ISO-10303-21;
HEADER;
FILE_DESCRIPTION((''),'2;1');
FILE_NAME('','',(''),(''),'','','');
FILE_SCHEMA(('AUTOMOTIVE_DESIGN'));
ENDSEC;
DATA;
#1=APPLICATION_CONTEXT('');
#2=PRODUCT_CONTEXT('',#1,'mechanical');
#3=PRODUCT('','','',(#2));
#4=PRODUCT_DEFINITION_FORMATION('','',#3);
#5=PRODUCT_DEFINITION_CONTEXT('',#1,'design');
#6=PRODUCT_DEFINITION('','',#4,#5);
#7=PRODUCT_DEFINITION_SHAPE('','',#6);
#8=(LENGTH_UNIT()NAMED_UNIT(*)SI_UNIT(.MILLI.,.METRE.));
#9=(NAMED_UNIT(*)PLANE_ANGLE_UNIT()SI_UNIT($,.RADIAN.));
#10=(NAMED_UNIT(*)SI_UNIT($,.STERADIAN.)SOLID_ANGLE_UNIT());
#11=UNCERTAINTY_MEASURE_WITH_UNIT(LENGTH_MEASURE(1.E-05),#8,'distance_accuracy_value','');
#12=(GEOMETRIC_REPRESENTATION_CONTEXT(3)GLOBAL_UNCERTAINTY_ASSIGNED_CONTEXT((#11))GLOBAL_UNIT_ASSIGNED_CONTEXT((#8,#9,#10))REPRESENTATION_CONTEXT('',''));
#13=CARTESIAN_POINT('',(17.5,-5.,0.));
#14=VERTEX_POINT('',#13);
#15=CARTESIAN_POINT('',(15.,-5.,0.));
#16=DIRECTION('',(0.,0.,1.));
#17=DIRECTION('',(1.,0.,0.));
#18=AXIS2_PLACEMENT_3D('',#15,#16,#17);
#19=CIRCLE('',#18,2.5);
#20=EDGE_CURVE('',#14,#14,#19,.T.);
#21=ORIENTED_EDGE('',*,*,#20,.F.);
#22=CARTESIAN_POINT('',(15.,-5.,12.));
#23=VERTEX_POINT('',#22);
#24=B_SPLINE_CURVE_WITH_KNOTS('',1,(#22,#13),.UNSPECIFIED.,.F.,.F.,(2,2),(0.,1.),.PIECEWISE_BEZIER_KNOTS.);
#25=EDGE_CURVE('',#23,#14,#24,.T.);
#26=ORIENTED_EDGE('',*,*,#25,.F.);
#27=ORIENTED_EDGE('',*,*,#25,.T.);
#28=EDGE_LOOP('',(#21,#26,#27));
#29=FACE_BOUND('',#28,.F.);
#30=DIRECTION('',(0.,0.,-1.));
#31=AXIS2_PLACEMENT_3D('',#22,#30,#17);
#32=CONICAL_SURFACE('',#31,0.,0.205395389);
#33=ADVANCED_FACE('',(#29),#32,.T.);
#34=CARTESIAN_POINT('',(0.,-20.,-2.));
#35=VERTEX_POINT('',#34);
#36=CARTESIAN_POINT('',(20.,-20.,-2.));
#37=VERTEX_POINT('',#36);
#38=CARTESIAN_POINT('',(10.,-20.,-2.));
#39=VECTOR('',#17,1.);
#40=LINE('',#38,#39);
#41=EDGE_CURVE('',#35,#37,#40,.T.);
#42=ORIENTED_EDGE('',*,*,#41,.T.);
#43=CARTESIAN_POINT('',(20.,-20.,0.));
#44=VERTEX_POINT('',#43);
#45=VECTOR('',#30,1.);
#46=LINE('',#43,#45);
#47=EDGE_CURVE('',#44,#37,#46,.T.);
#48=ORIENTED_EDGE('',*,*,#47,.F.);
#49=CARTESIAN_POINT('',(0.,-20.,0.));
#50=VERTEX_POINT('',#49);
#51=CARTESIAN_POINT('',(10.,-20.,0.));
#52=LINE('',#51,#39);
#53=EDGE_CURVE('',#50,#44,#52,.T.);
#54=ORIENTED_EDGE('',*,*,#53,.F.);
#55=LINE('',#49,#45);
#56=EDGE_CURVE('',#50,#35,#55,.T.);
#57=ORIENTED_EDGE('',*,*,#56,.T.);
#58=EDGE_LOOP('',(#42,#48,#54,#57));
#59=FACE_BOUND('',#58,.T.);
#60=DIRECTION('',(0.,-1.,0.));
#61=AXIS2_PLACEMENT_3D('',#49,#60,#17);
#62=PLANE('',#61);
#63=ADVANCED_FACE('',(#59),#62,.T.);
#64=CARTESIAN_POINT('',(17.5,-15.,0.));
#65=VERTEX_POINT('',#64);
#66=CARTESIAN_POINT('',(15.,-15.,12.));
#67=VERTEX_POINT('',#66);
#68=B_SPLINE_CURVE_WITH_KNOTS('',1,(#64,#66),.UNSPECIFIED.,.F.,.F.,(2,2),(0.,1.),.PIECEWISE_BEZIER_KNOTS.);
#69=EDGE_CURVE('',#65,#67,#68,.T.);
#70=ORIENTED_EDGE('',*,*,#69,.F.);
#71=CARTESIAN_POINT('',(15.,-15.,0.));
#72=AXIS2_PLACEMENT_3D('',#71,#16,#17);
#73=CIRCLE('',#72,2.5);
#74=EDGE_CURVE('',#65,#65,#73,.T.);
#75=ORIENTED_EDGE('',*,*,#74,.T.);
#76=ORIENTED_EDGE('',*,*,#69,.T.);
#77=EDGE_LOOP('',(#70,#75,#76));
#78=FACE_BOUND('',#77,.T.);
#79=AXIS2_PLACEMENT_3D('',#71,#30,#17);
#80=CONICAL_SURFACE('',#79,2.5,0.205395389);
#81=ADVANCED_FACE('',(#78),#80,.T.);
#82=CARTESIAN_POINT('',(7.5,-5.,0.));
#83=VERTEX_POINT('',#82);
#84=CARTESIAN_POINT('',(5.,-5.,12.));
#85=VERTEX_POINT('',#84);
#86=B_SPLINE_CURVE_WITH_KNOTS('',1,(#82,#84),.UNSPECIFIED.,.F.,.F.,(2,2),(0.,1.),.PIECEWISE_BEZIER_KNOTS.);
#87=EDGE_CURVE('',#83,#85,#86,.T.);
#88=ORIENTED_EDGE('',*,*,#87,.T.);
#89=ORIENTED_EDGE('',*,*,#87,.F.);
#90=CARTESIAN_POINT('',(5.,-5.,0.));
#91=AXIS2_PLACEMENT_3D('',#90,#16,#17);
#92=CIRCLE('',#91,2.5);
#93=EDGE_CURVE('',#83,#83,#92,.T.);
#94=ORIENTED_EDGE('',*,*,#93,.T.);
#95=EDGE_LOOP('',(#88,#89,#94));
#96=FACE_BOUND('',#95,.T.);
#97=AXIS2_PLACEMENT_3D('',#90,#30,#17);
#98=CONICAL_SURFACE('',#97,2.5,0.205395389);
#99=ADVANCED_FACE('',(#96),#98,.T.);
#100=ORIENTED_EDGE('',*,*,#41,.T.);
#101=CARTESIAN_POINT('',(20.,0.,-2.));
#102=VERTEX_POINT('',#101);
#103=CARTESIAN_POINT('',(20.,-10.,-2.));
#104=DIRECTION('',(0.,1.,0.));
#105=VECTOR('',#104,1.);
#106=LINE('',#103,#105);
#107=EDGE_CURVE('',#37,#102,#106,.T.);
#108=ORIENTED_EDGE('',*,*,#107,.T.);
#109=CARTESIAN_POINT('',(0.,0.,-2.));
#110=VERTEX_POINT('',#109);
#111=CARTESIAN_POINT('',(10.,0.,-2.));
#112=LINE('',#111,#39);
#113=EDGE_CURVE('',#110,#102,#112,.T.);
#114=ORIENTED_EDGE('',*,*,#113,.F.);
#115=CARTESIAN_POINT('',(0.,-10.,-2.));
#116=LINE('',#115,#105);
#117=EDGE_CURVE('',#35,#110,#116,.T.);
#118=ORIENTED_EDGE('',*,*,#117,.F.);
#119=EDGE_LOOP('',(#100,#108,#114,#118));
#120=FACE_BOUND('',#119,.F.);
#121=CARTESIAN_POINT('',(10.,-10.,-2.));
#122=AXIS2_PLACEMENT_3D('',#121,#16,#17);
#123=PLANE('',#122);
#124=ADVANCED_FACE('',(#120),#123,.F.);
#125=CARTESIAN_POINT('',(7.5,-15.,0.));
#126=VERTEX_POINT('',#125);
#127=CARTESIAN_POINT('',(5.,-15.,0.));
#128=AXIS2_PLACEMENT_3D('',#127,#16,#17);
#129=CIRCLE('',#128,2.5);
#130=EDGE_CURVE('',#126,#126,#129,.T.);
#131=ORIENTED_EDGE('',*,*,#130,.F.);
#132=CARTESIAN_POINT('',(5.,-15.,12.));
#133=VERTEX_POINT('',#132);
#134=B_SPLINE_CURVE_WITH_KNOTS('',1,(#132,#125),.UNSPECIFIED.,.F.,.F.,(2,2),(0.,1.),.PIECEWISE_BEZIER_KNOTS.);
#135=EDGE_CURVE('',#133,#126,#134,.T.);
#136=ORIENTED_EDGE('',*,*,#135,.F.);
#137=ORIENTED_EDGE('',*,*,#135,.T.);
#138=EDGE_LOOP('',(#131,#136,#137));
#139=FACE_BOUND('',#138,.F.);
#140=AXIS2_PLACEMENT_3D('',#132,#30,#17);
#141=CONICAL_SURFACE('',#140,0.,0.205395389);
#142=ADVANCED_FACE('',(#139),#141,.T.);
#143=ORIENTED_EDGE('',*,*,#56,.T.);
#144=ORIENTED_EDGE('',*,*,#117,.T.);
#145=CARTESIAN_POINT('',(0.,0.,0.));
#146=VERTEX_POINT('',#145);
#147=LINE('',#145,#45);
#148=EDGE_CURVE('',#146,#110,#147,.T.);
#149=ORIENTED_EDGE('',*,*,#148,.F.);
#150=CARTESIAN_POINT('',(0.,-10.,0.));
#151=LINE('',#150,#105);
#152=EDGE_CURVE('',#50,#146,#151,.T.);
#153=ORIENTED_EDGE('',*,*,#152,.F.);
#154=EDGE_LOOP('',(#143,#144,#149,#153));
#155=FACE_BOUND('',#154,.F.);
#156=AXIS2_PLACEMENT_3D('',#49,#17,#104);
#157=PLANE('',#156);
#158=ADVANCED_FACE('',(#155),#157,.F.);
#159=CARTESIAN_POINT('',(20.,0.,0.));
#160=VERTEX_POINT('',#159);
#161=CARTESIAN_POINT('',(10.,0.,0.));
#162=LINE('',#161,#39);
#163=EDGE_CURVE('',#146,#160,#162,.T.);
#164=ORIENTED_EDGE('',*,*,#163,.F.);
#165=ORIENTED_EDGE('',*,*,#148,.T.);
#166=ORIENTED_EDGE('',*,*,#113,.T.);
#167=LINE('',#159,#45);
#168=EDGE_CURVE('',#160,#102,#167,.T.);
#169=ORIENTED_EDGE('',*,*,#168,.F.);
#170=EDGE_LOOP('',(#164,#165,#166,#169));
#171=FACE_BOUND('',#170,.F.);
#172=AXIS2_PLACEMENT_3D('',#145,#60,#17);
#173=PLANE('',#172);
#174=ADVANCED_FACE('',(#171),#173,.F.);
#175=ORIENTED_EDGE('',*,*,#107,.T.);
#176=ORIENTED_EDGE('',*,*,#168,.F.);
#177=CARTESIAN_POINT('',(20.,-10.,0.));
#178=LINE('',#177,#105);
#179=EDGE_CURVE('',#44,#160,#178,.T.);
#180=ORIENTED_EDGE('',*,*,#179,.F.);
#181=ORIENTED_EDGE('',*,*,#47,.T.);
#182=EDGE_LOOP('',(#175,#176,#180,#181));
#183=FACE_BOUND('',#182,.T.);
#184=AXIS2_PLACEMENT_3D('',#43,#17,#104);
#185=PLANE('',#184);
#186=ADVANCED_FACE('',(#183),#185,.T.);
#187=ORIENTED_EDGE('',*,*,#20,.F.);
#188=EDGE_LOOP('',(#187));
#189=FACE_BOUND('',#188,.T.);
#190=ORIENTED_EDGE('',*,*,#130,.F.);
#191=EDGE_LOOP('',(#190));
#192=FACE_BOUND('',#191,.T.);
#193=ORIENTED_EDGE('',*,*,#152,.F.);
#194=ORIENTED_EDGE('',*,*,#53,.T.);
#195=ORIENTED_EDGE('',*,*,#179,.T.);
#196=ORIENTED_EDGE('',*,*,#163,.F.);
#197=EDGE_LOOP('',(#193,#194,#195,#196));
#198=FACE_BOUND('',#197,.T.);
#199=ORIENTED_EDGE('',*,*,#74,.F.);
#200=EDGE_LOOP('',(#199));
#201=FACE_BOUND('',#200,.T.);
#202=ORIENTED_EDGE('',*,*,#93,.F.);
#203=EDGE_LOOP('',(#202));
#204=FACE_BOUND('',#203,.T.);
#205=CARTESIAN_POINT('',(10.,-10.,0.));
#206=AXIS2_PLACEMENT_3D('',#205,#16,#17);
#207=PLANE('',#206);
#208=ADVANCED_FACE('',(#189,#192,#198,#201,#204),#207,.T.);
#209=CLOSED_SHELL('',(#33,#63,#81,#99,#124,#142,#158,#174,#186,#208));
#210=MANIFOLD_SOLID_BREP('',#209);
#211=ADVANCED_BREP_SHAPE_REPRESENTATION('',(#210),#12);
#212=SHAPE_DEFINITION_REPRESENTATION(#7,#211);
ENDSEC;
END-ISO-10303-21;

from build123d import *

# Parameters (mm, degrees)
F0_W     = 20
F0_H     = 20
F0_R     = 2.5
F1_DEPTH = 2


with BuildPart() as f1:
    # F0 (on Top) → F1 (new body)
    with BuildSketch(Plane.XY):
        with Locations((10, -10)):
            Rectangle(F0_W, F0_H)
        with Locations((5, -15)):
            Circle(F0_R, mode=Mode.SUBTRACT)
        with Locations((15, -15)):
            Circle(F0_R, mode=Mode.SUBTRACT)
        with Locations((5, -5)):
            Circle(F0_R, mode=Mode.SUBTRACT)
        with Locations((15, -5)):
            Circle(F0_R, mode=Mode.SUBTRACT)
        with Locations((5, -5)):
            Circle(F0_R)
        with Locations((15, -5)):
            Circle(F0_R)
        with Locations((15, -15)):
            Circle(F0_R)
        with Locations((5, -15)):
            Circle(F0_R)
    extrude(amount=-F1_DEPTH)

    # F0 (on Top) → F4 section 0
    with BuildSketch(Plane.XY, mode=Mode.PRIVATE) as f4_s0:
        with Locations((15, -15)):
            Circle(F0_R)
    loft([f4_s0.sketch, Vertex(15, -15, 12)])

    # F0 (on Top) → F5 section 0
    with BuildSketch(Plane.XY, mode=Mode.PRIVATE) as f5_s0:
        with Locations((15, -5)):
            Circle(F0_R)
    loft([Vertex(15, -5, 12), f5_s0.sketch])

    # F0 (on Top) → F6 section 0
    with BuildSketch(Plane.XY, mode=Mode.PRIVATE) as f6_s0:
        with Locations((5, -5)):
            Circle(F0_R)
    loft([f6_s0.sketch, Vertex(5, -5, 12)])

    # F0 (on Top) → F7 section 0
    with BuildSketch(Plane.XY, mode=Mode.PRIVATE) as f7_s0:
        with Locations((5, -15)):
            Circle(F0_R)
    loft([Vertex(5, -15, 12), f7_s0.sketch])


solid = f1.part
